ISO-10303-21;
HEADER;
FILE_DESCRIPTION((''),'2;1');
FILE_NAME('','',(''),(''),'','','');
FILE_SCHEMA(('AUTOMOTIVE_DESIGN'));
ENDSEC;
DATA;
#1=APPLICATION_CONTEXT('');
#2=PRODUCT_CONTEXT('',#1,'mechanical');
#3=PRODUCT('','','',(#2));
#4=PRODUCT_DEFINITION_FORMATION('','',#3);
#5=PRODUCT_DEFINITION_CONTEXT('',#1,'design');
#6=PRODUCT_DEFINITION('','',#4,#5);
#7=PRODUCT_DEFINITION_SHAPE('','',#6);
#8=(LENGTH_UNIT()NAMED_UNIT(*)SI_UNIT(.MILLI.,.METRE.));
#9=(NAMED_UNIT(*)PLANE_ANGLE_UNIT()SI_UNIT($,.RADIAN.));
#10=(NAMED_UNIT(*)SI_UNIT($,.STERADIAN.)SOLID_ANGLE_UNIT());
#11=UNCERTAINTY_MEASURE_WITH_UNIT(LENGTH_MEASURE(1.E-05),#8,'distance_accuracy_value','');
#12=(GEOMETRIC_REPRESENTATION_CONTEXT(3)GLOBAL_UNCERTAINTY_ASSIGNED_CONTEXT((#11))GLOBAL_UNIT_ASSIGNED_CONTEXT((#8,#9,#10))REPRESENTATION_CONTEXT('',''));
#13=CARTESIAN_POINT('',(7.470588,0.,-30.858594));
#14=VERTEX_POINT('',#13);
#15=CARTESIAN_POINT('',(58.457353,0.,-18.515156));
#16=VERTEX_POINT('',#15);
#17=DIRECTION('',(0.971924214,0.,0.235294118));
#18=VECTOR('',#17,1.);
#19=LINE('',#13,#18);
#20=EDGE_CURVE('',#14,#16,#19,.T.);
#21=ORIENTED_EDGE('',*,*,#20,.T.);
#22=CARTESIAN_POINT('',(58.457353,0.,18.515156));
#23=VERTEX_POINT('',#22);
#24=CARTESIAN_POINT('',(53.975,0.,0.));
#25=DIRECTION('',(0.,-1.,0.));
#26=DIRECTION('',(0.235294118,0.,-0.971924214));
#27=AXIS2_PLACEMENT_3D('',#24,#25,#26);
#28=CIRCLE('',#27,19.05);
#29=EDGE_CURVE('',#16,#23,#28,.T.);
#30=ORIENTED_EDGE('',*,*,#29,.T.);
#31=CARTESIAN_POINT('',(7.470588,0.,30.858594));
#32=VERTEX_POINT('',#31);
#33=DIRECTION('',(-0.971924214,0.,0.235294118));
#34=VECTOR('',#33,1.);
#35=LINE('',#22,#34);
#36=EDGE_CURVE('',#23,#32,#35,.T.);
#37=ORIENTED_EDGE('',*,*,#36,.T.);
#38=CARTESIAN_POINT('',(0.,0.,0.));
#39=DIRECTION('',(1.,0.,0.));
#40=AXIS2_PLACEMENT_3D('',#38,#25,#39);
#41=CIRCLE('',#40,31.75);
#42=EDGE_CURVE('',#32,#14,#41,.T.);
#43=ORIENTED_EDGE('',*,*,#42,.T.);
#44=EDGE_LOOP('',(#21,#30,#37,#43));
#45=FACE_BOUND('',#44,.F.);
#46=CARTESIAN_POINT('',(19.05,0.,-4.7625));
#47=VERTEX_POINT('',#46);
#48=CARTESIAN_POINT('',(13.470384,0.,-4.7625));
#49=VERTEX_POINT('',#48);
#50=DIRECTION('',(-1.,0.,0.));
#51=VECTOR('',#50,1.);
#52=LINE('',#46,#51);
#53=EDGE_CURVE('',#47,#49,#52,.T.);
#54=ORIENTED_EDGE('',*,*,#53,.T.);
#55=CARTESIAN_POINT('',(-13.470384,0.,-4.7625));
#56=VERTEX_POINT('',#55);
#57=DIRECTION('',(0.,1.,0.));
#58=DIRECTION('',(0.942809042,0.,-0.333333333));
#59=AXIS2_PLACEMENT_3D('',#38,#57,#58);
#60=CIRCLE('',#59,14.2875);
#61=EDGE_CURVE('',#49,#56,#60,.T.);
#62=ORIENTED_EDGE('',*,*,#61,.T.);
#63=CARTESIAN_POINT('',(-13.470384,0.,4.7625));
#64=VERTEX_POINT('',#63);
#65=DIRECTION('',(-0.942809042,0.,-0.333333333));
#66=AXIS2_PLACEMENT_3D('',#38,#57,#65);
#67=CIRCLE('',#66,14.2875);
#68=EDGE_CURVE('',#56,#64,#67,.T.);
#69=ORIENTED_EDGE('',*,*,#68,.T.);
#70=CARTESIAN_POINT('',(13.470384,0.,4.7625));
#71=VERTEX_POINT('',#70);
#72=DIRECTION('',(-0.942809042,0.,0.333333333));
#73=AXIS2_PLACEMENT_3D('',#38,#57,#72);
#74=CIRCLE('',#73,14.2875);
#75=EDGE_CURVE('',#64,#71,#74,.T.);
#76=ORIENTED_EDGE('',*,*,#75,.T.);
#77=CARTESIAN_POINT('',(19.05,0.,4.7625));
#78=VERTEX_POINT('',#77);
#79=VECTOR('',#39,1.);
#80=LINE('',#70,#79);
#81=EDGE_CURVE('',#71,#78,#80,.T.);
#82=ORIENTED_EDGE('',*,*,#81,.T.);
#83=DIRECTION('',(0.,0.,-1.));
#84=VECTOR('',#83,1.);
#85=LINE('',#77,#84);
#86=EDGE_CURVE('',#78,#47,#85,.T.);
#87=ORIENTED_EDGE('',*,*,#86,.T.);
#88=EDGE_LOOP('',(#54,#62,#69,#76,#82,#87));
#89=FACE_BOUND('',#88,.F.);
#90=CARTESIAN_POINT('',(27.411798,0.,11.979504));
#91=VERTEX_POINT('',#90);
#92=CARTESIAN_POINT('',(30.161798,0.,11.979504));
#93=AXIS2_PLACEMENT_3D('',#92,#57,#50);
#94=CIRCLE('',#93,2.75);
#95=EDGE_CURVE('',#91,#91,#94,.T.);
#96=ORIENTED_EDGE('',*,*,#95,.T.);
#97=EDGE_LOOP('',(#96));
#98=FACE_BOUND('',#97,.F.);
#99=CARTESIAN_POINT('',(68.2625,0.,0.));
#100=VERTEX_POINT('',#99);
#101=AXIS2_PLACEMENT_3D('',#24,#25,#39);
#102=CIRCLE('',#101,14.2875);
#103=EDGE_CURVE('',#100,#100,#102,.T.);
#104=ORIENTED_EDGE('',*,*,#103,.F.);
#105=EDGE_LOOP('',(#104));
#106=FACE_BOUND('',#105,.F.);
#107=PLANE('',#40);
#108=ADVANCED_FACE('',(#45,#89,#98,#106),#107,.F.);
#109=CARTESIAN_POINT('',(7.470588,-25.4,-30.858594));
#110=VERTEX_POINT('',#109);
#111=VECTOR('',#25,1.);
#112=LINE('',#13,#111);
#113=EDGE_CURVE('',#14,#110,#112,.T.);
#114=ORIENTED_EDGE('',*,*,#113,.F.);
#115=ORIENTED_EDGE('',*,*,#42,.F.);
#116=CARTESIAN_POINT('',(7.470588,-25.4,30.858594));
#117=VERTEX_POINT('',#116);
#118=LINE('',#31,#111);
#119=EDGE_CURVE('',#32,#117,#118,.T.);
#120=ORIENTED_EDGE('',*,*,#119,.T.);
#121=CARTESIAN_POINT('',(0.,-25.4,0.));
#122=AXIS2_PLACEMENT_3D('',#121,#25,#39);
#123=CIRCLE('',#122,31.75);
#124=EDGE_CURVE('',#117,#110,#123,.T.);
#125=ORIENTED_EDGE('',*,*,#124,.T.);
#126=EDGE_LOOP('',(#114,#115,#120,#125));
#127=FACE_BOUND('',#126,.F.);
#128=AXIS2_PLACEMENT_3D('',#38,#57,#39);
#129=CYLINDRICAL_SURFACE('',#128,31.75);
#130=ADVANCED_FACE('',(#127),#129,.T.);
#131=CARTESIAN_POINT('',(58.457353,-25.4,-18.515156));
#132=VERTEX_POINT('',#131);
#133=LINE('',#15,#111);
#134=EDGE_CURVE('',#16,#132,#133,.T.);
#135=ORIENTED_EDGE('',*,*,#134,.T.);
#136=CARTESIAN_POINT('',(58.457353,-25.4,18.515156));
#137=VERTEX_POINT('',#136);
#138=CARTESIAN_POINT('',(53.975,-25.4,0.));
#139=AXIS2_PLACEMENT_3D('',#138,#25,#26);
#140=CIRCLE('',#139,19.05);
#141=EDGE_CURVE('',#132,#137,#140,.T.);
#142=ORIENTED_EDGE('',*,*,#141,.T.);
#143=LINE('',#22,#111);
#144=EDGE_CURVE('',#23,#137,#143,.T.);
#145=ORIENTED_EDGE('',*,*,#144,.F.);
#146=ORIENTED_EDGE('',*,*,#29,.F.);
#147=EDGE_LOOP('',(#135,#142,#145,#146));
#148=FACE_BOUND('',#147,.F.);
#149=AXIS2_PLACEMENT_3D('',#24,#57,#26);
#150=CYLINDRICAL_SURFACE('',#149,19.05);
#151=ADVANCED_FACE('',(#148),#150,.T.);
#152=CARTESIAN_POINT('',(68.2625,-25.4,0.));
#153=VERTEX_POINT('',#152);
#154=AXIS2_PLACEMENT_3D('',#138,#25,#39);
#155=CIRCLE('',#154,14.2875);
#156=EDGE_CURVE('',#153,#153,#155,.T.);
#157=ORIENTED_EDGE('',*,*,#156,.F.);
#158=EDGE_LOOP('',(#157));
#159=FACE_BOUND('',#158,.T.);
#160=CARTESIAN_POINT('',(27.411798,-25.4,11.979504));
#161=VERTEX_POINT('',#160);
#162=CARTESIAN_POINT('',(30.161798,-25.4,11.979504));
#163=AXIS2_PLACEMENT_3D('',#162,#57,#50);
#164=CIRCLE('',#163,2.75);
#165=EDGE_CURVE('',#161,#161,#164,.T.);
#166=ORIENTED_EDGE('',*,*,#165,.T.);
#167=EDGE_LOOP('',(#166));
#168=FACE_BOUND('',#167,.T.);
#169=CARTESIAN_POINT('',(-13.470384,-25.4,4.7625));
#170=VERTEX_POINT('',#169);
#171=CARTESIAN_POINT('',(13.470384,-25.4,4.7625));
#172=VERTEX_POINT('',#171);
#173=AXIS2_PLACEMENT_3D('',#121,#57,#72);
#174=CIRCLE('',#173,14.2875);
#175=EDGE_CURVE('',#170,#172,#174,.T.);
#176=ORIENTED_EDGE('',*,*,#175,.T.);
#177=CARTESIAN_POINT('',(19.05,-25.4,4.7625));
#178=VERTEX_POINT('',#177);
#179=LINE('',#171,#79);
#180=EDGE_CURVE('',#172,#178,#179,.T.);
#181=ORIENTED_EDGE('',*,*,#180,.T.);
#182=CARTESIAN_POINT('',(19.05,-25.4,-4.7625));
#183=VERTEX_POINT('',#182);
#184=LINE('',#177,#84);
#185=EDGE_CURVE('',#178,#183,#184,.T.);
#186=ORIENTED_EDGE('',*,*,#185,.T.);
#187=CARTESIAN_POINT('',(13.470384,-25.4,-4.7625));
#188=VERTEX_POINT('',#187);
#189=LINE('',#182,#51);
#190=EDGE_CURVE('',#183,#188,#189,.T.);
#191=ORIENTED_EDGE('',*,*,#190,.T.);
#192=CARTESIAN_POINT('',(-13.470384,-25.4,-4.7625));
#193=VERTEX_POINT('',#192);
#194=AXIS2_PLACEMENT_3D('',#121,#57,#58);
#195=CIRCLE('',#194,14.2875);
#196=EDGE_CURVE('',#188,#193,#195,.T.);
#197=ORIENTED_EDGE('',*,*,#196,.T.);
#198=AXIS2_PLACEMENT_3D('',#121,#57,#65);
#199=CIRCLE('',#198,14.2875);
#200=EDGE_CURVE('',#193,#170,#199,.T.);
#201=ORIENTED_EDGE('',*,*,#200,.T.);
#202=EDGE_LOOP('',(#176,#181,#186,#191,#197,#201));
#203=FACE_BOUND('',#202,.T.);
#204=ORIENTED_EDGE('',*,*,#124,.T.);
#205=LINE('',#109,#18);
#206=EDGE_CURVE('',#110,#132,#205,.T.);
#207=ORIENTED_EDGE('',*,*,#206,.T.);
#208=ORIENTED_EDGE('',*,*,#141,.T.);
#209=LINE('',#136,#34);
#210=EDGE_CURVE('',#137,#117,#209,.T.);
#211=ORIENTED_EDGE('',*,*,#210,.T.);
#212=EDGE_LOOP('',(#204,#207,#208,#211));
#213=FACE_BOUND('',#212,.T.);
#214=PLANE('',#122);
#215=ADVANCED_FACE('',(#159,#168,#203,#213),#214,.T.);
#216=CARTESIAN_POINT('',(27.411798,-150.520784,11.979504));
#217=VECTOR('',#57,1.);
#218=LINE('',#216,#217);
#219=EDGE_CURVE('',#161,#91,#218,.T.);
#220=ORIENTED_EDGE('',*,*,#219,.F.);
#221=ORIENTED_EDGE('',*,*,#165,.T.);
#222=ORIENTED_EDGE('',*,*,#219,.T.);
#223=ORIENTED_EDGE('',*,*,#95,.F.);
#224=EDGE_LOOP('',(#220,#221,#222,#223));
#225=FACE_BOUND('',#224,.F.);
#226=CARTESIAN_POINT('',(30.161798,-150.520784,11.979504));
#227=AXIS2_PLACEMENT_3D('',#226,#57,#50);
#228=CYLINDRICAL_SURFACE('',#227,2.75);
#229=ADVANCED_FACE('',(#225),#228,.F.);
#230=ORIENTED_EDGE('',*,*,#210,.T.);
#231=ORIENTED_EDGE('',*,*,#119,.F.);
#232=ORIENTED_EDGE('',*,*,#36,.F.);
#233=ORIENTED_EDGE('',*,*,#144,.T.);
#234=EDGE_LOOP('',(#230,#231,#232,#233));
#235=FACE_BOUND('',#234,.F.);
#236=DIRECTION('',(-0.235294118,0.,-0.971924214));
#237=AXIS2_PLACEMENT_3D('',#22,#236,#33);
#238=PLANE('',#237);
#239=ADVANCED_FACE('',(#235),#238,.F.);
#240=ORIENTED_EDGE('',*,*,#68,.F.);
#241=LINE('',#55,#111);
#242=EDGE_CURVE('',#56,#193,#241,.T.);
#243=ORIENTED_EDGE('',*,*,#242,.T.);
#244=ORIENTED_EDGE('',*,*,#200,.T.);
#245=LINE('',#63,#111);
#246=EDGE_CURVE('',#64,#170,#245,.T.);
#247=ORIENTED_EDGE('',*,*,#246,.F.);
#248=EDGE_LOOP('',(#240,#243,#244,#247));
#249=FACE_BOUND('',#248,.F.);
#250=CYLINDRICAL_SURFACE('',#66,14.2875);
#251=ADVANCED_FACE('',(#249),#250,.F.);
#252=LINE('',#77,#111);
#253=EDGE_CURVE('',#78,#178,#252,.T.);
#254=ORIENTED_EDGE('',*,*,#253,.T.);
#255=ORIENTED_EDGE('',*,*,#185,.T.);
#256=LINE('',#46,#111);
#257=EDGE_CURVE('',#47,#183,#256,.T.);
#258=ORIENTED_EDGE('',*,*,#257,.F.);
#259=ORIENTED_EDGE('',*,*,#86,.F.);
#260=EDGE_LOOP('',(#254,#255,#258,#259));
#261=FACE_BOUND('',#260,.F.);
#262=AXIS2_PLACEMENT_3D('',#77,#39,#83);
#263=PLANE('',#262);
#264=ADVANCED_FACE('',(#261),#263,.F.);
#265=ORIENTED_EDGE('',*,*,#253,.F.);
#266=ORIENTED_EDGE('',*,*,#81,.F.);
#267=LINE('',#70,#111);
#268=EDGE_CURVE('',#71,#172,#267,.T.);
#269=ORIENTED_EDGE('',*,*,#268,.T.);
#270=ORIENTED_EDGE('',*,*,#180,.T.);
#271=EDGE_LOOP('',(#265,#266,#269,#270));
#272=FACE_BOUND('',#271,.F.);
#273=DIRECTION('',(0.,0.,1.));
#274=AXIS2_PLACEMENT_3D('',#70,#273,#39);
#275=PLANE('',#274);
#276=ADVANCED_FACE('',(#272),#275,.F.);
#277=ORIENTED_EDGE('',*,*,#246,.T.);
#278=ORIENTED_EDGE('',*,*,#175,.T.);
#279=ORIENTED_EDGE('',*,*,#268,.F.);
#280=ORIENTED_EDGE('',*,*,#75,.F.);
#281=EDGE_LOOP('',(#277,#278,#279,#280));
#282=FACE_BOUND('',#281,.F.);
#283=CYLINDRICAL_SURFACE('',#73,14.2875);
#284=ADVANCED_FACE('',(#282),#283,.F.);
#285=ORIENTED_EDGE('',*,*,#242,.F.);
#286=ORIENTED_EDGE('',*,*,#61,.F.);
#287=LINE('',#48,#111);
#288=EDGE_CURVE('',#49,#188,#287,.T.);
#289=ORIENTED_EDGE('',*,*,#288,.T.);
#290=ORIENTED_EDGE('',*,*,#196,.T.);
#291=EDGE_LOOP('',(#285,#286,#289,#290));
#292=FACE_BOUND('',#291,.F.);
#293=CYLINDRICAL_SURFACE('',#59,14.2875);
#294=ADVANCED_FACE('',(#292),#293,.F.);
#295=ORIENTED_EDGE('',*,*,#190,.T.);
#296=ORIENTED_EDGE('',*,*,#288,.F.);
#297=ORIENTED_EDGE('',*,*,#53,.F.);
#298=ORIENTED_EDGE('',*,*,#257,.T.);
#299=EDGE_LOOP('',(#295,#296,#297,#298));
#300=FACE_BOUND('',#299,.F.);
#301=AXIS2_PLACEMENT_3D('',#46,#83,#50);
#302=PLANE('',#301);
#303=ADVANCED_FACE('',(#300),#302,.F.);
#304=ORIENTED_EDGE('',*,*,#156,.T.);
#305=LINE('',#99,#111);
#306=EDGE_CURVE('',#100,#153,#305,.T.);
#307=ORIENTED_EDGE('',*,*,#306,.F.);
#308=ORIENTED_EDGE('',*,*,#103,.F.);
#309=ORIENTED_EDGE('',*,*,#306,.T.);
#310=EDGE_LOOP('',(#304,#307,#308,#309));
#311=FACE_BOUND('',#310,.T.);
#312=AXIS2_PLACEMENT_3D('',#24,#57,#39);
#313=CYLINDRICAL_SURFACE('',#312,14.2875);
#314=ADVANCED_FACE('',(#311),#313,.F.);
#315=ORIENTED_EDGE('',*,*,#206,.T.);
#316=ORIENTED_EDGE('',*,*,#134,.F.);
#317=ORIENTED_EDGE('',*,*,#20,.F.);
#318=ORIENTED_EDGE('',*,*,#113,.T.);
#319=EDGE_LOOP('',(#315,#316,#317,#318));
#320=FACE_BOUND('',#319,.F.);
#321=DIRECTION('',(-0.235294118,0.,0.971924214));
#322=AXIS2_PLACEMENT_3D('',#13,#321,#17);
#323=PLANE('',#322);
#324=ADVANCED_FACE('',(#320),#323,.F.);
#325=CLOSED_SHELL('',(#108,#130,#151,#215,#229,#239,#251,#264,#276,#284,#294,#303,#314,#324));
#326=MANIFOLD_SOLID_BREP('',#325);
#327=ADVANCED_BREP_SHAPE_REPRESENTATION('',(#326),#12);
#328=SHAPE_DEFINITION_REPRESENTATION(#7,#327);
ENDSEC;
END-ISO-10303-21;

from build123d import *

# Parameters (mm, degrees)
F0_R     = 14.2875
F1_DEPTH = 25.4
F3_D     = 5.5


with BuildPart() as f1:
    # F0 (on Front) → F1 (new body)
    with BuildSketch(Plane.XZ):
        with BuildLine():
            ThreePointArc((7.4705882353, -30.8585938017), (24.9524916238, -19.6325154212), (31.75, 0))
            ThreePointArc((31.75, 0), (24.9524916238, 19.6325154212), (7.4705882353, 30.8585938017))
            ThreePointArc((7.4705882353, 30.8585938017), (-31.75, 0), (7.4705882353, -30.8585938017))
        make_face()
        with BuildLine():
            ThreePointArc((-13.4703841816, 4.7625), (0, 14.2875), (13.4703841816, 4.7625))
            Line((13.4703841816, 4.7625), (19.05, 4.7625))
            Line((19.05, 4.7625), (19.05, -4.7625))
            Line((19.05, -4.7625), (13.4703841816, -4.7625))
            ThreePointArc((13.4703841816, -4.7625), (0, -14.2875), (-13.4703841816, -4.7625))
            Line((-13.4703841816, -4.7625), (-19.05, -4.7625))
            Line((-19.05, -4.7625), (-19.05, 4.7625))
            Line((-19.05, 4.7625), (-13.4703841816, 4.7625))
        make_face(mode=Mode.SUBTRACT)
        with BuildLine():
            ThreePointArc((-13.4703841816, -4.7625), (-14.2875, 0), (-13.4703841816, 4.7625))
            Line((-13.4703841816, 4.7625), (-19.05, 4.7625))
            Line((-19.05, 4.7625), (-19.05, -4.7625))
            Line((-19.05, -4.7625), (-13.4703841816, -4.7625))
        make_face()
        with BuildLine():
            ThreePointArc((7.4705882353, 30.8585938017), (24.9524916238, 19.6325154212), (31.75, 0))
            ThreePointArc((31.75, 0), (24.9524916238, -19.6325154212), (7.4705882353, -30.8585938017))
            Line((7.4705882353, -30.8585938017), (58.4573529412, -18.515156281))
            ThreePointArc((58.4573529412, -18.515156281), (34.925, 0), (58.4573529412, 18.515156281))
            Line((58.4573529412, 18.515156281), (7.4705882353, 30.8585938017))
        make_face()
        with BuildLine():
            ThreePointArc((73.025, 0), (68.9464949743, 11.7795092527), (58.4573529412, 18.515156281))
            ThreePointArc((58.4573529412, 18.515156281), (34.925, 0), (58.4573529412, -18.515156281))
            ThreePointArc((58.4573529412, -18.515156281), (68.9464949743, -11.7795092527), (73.025, 0))
        make_face()
        with Locations((53.975, 0)):
            Circle(F0_R, mode=Mode.SUBTRACT)
    extrude(amount=F1_DEPTH)

    # F3 (through all)
    with Locations(Plane.XZ.offset(25.4)):
        with Locations((30.1617980003, 11.9795044884)):
            Hole(F3_D / 2)


solid = f1.part
